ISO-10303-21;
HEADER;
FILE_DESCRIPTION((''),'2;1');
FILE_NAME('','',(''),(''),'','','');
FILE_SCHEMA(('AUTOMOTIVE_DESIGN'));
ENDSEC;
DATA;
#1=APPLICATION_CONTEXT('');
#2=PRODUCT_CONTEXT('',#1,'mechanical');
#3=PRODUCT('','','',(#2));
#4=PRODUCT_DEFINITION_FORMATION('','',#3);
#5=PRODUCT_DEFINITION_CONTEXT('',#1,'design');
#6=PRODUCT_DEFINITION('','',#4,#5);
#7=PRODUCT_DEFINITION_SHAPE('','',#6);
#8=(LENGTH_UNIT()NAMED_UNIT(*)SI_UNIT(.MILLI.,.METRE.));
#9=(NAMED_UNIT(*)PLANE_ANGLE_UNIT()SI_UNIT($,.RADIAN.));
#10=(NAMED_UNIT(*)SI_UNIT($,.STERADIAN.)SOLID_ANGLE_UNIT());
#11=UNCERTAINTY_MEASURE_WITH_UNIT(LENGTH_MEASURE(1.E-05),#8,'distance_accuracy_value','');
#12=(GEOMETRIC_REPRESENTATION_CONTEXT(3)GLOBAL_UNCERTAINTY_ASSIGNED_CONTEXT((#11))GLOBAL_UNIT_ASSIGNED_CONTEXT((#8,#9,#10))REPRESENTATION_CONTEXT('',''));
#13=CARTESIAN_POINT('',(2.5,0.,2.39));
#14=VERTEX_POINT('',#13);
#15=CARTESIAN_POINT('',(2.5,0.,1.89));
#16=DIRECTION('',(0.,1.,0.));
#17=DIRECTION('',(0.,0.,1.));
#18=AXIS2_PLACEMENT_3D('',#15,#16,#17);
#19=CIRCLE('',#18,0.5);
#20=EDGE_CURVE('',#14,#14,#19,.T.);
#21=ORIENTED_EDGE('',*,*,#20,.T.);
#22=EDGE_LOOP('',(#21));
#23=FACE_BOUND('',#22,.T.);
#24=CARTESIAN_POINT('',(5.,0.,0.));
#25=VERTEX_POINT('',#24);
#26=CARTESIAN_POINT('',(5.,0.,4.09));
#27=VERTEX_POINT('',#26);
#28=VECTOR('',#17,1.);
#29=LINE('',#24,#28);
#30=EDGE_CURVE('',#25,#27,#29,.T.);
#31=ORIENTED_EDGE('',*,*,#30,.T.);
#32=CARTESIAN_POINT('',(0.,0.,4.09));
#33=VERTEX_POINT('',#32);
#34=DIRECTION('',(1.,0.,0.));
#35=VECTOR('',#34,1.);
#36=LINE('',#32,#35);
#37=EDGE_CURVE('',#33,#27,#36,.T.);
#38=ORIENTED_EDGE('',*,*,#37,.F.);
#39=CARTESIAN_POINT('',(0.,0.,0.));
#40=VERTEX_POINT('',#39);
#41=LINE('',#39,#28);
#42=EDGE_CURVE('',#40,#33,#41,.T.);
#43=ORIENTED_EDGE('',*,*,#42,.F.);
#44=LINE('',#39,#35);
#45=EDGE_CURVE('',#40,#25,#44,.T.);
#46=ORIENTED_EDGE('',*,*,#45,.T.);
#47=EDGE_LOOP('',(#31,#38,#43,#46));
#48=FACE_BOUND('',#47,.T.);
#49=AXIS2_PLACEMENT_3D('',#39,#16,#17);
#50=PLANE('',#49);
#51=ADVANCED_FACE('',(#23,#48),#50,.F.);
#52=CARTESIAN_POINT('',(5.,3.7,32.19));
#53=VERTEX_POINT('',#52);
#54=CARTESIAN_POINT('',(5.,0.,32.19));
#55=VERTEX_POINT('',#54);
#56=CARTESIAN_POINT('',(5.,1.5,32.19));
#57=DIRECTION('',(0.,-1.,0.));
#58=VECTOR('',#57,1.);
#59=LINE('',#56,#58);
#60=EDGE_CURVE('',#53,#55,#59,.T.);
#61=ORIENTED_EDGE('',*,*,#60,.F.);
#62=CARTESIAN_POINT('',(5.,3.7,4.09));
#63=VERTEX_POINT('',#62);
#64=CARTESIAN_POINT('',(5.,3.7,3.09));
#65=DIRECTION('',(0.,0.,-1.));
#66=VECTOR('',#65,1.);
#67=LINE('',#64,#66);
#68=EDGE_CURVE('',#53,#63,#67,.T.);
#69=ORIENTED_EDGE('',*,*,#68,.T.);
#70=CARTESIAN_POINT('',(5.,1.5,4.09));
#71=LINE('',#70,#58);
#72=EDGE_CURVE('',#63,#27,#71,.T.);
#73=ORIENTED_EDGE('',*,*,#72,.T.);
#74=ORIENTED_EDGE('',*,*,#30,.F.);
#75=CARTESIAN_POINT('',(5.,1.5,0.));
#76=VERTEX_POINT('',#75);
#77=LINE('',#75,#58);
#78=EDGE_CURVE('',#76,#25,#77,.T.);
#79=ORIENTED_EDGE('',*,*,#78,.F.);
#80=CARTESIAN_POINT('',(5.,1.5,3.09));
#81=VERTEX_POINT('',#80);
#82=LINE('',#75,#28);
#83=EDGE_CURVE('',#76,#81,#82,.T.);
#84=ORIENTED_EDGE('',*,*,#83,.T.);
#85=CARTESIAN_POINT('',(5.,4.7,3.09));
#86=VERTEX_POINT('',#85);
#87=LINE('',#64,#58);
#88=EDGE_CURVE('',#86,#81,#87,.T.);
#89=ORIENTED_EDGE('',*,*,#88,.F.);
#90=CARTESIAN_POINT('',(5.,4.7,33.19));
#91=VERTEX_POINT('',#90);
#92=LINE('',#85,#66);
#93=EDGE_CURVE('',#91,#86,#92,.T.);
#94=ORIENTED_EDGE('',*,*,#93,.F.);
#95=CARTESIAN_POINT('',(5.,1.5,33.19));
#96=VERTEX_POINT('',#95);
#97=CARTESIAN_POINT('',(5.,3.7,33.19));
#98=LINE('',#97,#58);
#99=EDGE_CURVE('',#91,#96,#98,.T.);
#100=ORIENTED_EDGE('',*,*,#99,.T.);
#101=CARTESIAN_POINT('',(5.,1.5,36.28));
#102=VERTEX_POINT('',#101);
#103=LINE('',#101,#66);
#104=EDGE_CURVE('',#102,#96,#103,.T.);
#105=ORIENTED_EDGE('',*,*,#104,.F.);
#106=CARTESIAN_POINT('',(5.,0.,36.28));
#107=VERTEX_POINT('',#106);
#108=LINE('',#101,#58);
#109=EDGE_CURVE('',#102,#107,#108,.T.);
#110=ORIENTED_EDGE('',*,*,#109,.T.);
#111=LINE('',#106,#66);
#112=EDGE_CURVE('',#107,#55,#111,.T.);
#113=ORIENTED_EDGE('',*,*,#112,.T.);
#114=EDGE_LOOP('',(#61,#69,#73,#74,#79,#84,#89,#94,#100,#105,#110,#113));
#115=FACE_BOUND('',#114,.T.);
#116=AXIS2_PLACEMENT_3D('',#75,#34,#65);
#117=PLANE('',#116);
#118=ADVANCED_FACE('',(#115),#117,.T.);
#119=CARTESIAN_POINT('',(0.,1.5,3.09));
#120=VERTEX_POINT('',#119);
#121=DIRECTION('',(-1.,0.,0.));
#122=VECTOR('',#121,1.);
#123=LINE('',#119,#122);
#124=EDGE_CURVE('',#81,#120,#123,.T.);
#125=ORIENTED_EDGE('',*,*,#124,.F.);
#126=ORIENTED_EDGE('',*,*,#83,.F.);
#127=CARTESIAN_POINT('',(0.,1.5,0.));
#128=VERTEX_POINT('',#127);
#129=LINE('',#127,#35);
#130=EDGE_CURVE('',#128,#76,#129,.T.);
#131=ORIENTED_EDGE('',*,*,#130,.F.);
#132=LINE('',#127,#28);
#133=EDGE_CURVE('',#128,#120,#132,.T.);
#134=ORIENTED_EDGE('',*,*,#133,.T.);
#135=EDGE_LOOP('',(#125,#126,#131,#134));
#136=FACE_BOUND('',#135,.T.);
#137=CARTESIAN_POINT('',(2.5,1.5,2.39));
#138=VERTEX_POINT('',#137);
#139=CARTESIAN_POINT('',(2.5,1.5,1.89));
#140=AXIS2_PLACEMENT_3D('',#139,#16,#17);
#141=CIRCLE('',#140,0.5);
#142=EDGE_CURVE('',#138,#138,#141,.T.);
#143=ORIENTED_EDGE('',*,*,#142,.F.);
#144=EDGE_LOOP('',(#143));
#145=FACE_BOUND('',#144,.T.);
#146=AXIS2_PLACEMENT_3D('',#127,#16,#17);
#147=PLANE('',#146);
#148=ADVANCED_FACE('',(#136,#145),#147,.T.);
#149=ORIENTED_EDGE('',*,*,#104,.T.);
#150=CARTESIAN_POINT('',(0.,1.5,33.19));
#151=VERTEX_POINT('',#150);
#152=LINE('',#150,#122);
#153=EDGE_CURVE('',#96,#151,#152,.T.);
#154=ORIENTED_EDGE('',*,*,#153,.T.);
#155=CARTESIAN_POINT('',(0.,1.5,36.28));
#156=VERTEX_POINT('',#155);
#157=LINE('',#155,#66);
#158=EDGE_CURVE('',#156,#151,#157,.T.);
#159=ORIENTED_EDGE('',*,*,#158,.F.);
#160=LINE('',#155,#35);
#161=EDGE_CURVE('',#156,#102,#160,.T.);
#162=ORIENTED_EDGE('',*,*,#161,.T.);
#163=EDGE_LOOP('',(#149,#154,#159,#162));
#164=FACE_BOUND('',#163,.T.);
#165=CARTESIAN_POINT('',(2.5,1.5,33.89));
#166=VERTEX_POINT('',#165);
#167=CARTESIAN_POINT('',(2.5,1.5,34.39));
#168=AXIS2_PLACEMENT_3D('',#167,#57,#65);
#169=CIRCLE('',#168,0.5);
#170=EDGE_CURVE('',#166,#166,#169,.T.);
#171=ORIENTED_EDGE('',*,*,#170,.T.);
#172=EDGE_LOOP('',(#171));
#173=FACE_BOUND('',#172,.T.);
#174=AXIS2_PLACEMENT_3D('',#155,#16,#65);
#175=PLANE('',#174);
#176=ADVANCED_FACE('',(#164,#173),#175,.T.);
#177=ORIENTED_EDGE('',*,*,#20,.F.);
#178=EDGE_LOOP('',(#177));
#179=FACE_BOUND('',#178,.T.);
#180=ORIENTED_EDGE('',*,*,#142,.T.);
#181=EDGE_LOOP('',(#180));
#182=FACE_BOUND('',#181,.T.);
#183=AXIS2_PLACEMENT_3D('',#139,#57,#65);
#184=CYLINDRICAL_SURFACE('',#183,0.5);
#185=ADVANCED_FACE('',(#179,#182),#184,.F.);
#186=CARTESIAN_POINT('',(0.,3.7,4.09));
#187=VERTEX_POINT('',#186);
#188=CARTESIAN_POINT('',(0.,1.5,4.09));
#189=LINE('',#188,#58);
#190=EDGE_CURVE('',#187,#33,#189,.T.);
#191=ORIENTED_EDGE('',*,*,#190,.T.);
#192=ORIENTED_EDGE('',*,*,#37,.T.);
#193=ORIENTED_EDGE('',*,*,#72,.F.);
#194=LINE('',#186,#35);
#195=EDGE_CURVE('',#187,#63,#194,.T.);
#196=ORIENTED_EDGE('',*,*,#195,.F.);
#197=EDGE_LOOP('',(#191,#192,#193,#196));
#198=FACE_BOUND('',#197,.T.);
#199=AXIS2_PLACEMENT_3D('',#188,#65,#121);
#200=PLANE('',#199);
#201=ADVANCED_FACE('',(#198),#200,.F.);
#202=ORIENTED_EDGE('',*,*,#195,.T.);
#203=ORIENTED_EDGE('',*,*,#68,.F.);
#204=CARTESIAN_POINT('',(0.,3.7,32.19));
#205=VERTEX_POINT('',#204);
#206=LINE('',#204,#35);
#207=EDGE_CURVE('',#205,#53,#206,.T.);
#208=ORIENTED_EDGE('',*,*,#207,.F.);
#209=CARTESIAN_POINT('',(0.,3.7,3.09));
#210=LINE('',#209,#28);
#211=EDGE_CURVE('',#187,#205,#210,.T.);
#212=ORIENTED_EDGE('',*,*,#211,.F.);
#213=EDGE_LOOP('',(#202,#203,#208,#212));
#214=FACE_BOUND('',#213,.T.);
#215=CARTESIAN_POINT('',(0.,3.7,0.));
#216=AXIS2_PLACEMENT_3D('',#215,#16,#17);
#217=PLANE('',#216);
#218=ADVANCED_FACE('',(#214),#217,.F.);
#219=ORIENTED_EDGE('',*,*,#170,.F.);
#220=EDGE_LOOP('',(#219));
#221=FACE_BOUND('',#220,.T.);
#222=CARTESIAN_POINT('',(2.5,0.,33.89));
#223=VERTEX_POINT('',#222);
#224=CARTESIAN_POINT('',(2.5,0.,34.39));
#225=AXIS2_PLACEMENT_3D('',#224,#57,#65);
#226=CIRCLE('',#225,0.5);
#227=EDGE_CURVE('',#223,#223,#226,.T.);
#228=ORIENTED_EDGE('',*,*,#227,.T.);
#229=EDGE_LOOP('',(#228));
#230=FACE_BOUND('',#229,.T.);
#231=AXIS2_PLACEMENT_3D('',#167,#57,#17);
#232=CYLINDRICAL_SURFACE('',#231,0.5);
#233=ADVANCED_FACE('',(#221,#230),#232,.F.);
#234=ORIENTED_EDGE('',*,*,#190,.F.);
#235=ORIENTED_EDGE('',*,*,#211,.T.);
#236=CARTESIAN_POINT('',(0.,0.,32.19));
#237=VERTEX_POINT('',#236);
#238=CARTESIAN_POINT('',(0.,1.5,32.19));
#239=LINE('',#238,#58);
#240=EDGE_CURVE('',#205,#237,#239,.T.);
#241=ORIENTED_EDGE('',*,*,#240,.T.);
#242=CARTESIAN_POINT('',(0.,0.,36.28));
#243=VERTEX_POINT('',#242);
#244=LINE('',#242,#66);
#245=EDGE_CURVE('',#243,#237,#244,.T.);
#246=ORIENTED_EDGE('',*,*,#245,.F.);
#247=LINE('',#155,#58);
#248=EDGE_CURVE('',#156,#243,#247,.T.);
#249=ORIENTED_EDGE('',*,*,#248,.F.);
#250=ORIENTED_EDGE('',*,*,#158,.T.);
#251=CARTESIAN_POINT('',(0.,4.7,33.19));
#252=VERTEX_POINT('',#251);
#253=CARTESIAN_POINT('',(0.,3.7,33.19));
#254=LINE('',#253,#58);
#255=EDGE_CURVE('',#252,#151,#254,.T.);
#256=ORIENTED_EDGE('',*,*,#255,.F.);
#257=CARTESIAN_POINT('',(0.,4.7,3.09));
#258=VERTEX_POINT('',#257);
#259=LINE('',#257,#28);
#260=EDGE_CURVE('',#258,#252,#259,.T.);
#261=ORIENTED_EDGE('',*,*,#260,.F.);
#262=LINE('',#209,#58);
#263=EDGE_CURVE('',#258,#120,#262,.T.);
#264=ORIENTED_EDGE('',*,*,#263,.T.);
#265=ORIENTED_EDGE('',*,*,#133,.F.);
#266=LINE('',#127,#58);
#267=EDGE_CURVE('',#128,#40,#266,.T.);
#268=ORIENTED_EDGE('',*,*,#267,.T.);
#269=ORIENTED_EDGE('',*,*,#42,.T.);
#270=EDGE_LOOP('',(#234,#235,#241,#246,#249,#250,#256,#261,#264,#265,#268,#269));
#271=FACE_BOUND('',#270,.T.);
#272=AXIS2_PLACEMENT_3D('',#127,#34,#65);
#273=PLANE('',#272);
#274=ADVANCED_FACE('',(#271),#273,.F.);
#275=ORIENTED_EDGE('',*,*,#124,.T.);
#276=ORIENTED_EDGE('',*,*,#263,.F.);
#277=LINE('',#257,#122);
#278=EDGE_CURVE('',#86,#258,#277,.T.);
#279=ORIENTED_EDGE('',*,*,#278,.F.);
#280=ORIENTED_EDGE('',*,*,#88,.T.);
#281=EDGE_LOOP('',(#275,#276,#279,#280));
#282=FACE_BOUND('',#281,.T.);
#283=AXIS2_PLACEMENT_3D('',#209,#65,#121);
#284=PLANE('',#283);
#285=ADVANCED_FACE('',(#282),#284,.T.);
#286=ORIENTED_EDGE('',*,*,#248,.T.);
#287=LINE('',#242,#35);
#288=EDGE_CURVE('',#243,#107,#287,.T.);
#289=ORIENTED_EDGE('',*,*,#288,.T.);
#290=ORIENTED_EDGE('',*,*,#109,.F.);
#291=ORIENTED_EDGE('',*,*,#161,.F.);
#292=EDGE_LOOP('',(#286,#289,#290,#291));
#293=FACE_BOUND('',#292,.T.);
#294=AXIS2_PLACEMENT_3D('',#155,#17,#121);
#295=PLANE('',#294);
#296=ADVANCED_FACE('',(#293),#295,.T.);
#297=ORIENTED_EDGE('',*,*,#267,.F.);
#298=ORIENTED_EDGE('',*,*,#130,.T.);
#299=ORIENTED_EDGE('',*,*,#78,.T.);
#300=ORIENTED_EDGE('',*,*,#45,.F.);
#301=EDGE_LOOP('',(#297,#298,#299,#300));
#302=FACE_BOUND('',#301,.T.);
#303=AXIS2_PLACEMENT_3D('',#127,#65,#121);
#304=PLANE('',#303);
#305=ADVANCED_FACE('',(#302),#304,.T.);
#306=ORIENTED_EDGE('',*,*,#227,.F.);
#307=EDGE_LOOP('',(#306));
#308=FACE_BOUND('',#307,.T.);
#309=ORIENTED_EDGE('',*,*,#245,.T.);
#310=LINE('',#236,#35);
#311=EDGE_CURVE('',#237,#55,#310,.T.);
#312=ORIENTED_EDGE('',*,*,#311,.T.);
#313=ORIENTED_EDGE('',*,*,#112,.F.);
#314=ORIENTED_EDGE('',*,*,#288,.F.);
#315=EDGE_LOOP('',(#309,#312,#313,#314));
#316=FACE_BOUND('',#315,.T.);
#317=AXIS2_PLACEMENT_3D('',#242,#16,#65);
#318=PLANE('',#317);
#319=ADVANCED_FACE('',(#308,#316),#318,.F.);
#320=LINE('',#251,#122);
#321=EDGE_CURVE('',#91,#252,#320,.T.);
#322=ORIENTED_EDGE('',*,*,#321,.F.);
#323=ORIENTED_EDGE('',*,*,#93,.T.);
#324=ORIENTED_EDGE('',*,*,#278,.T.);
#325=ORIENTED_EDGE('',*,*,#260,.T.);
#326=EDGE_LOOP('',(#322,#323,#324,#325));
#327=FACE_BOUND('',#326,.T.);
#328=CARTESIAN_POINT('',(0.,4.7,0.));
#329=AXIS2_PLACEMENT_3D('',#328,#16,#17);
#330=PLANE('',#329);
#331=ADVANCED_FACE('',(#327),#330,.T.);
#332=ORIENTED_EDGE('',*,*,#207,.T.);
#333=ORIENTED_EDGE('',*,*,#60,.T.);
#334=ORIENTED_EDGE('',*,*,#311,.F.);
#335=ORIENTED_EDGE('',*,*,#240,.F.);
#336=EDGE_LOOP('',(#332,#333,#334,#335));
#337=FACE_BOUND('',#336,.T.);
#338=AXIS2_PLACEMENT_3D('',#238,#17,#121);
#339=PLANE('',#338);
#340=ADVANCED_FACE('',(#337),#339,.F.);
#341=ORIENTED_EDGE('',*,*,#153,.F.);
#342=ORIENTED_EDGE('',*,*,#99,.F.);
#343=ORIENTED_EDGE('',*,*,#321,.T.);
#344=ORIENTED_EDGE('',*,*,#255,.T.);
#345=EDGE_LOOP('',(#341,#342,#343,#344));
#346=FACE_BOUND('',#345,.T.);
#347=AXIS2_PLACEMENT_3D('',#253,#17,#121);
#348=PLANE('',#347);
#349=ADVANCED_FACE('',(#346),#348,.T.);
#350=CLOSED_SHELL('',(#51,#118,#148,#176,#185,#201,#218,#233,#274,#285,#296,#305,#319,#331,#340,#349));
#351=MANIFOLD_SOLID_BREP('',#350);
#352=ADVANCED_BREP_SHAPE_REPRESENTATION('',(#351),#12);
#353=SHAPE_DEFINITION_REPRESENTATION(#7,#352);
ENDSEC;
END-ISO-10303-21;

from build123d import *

# Parameters (mm, degrees)
SKETCH_1_W      = 5
SKETCH_1_H      = 4.09
SKETCH_1_R      = 0.5
EXTRUDE_1_DEPTH = 1.5
SKETCH_1_3_W    = 5
SKETCH_1_3_H    = 1
EXTRUDE_2_DEPTH = 3.7
SKETCH_2_W      = 5
SKETCH_2_H      = 15.05
EXTRUDE_3_DEPTH = 1


with BuildPart() as part:
    # Эскиз1 → Бобышка-Вытянуть1 (new body)
    with BuildSketch(Plane(origin=(0, 0, 0), x_dir=(1, 0, 0), z_dir=(0, 1, 0))):
        with Locations((2.5, -2.045)):
            Rectangle(SKETCH_1_W, SKETCH_1_H)
        with Locations((2.5, -1.89)):
            Circle(SKETCH_1_R, mode=Mode.SUBTRACT)
    extrude_1 = extrude(amount=EXTRUDE_1_DEPTH)

    # Эскиз1<3> → Бобышка-Вытянуть2 (add)
    with BuildSketch(Plane(origin=(0, 0, 0), x_dir=(1, 0, 0), z_dir=(0, 1, 0))):
        with Locations((2.5, -3.59)):
            Rectangle(SKETCH_1_3_W, SKETCH_1_3_H)
    extrude_2 = extrude(amount=EXTRUDE_2_DEPTH)

    # Эскиз2 → Бобышка-Вытянуть3 (add)
    with BuildSketch(Plane(origin=(0, 3.7, 0), x_dir=(1, 0, 0), z_dir=(0, 1, 0))):
        with Locations((2.5, -10.615)):
            Rectangle(SKETCH_2_W, SKETCH_2_H)
    extrude_3 = extrude(amount=EXTRUDE_3_DEPTH)

    # Зеркальное отражение1: Бобышка-Вытянуть1, Бобышка-Вытянуть2, Бобышка-Вытянуть3 across plane
    add(extrude_1.mirror(Plane(origin=(0, 4.7, 18.14), x_dir=(1, 0, 0), z_dir=(0, 0, -1))))
    add(extrude_2.mirror(Plane(origin=(0, 4.7, 18.14), x_dir=(1, 0, 0), z_dir=(0, 0, -1))))
    add(extrude_3.mirror(Plane(origin=(0, 4.7, 18.14), x_dir=(1, 0, 0), z_dir=(0, 0, -1))))


solid = part.part
